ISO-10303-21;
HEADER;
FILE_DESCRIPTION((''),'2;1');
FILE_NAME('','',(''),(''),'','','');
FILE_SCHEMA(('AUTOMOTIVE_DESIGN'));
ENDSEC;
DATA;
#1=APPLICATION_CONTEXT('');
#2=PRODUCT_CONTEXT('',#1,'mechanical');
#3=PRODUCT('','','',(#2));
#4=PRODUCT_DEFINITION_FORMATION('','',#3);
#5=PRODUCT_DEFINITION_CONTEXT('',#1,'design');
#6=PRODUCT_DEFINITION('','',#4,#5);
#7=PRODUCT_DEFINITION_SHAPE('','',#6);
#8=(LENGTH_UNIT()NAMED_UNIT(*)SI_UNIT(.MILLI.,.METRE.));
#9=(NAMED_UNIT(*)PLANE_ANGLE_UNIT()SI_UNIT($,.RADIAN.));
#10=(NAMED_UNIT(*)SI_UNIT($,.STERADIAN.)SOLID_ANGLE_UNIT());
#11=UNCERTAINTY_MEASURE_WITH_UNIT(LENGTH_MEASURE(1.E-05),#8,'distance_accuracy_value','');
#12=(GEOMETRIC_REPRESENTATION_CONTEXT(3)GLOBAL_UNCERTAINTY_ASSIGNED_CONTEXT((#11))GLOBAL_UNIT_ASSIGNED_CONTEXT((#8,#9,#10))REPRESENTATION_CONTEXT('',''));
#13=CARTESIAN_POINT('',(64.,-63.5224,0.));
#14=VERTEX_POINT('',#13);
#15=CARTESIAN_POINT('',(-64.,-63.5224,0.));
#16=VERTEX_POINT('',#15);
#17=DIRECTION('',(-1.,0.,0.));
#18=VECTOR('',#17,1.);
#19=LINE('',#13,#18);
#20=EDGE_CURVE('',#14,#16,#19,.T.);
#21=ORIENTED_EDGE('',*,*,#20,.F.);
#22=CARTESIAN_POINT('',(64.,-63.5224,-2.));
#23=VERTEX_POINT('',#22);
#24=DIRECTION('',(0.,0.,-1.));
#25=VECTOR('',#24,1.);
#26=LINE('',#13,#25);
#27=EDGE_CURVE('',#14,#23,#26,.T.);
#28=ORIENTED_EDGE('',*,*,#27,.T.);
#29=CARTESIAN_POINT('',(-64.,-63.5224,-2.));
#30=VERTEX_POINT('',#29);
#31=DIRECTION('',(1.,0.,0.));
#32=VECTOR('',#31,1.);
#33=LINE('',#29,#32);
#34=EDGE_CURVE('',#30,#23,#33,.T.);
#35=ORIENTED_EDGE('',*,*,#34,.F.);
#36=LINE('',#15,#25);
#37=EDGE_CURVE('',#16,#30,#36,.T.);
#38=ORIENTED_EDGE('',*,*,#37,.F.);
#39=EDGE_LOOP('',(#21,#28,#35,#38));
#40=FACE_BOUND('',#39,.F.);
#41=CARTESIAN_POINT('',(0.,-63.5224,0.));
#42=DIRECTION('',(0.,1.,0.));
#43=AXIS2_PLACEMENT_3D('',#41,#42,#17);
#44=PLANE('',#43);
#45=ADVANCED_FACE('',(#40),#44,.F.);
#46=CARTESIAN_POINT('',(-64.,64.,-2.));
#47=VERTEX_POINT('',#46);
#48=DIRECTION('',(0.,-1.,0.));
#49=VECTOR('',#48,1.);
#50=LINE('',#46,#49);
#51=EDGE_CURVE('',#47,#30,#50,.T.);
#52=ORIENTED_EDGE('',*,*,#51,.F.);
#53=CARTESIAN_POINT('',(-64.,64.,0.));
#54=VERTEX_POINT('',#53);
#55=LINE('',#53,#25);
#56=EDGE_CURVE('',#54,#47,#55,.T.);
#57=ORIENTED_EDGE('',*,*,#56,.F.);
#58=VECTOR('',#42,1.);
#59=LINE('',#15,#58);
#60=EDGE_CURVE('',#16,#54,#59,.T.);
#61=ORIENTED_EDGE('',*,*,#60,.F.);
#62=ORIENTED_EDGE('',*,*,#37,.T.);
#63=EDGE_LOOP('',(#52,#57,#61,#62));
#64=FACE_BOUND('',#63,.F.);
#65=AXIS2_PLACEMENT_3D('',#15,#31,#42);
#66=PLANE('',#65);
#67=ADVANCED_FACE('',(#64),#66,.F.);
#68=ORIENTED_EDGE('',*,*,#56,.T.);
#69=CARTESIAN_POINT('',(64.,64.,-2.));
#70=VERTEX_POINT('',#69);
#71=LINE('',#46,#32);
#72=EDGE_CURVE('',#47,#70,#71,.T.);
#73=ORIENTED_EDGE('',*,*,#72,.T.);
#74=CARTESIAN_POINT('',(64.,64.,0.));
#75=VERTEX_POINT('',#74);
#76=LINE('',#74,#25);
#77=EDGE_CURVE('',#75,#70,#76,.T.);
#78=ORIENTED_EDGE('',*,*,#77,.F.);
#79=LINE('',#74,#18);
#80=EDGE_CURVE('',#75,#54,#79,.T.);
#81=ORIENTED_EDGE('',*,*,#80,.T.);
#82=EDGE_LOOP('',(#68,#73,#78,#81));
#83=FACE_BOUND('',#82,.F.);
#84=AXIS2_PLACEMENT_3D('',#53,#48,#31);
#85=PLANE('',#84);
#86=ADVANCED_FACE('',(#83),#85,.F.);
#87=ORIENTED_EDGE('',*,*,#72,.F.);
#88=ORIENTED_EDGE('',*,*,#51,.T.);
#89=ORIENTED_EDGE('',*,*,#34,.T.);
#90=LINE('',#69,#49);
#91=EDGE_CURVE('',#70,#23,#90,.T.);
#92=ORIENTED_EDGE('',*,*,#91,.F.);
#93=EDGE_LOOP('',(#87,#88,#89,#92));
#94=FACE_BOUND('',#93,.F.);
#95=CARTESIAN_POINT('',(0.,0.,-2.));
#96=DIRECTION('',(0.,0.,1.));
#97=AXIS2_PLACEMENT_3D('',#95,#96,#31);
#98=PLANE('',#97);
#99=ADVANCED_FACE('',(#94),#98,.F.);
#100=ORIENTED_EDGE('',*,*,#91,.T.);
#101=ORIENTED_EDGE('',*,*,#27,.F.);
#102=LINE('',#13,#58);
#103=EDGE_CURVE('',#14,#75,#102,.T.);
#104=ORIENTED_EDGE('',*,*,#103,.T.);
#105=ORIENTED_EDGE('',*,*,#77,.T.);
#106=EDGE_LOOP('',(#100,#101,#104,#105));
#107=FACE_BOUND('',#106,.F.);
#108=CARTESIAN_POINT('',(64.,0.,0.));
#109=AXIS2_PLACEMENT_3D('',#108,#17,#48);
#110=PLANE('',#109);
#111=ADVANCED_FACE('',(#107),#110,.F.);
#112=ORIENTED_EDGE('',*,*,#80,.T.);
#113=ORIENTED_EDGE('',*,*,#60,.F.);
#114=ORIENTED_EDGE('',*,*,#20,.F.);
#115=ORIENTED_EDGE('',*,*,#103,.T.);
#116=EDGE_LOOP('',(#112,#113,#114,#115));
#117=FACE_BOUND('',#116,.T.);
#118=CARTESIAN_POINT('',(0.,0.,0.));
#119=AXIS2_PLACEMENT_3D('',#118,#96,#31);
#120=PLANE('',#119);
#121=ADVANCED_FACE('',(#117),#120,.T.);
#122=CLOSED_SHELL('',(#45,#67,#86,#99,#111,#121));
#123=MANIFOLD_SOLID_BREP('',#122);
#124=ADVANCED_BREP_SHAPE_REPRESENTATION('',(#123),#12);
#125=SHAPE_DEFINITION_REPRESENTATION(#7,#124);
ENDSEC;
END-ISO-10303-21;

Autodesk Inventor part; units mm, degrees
ref_plane "YZ Plane" through (0, 0, 0) normal (1, 0, 0) x (0, 1, 0)
ref_plane "XZ Plane" through (0, 0, 0) normal (0, 1, 0) x (-1, 0, 0)
ref_plane "XY Plane" through (0, 0, 0) normal (0, 0, 1) x (1, 0, 0)
sketch "스케치1" plane through (0, 0, 0) normal (0, 0, 1) x (1, 0, 0)
  line L0 (-64, 64) -> (64, 64) construction
  line L1 (64, 64) -> (64, -63.5224) construction
  line L2 (64, -63.5224) -> (-64, -63.5224) construction
  line L3 (-64, -63.5224) -> (-64, 64) construction
  line L4 (0, -89.0269) -> (0, 89.5045) projected
  line L5 (-89.6, 0) -> (89.6, 0) projected
  line L6 (-64, 64) -> (64, 64)
  line L7 (64, 64) -> (64, -63.5224)
  line L8 (64, -63.5224) -> (-64, -63.5224)
  line L9 (-64, -63.5224) -> (-64, 64)
  point P0 (0, 0)
  dimension "d1" = 128
  dimension "d9" = 64
  dimension "d10" = 64
extrude "돌출1" add sketch "스케치1" against normal blind 2
properties part number "장애인"
